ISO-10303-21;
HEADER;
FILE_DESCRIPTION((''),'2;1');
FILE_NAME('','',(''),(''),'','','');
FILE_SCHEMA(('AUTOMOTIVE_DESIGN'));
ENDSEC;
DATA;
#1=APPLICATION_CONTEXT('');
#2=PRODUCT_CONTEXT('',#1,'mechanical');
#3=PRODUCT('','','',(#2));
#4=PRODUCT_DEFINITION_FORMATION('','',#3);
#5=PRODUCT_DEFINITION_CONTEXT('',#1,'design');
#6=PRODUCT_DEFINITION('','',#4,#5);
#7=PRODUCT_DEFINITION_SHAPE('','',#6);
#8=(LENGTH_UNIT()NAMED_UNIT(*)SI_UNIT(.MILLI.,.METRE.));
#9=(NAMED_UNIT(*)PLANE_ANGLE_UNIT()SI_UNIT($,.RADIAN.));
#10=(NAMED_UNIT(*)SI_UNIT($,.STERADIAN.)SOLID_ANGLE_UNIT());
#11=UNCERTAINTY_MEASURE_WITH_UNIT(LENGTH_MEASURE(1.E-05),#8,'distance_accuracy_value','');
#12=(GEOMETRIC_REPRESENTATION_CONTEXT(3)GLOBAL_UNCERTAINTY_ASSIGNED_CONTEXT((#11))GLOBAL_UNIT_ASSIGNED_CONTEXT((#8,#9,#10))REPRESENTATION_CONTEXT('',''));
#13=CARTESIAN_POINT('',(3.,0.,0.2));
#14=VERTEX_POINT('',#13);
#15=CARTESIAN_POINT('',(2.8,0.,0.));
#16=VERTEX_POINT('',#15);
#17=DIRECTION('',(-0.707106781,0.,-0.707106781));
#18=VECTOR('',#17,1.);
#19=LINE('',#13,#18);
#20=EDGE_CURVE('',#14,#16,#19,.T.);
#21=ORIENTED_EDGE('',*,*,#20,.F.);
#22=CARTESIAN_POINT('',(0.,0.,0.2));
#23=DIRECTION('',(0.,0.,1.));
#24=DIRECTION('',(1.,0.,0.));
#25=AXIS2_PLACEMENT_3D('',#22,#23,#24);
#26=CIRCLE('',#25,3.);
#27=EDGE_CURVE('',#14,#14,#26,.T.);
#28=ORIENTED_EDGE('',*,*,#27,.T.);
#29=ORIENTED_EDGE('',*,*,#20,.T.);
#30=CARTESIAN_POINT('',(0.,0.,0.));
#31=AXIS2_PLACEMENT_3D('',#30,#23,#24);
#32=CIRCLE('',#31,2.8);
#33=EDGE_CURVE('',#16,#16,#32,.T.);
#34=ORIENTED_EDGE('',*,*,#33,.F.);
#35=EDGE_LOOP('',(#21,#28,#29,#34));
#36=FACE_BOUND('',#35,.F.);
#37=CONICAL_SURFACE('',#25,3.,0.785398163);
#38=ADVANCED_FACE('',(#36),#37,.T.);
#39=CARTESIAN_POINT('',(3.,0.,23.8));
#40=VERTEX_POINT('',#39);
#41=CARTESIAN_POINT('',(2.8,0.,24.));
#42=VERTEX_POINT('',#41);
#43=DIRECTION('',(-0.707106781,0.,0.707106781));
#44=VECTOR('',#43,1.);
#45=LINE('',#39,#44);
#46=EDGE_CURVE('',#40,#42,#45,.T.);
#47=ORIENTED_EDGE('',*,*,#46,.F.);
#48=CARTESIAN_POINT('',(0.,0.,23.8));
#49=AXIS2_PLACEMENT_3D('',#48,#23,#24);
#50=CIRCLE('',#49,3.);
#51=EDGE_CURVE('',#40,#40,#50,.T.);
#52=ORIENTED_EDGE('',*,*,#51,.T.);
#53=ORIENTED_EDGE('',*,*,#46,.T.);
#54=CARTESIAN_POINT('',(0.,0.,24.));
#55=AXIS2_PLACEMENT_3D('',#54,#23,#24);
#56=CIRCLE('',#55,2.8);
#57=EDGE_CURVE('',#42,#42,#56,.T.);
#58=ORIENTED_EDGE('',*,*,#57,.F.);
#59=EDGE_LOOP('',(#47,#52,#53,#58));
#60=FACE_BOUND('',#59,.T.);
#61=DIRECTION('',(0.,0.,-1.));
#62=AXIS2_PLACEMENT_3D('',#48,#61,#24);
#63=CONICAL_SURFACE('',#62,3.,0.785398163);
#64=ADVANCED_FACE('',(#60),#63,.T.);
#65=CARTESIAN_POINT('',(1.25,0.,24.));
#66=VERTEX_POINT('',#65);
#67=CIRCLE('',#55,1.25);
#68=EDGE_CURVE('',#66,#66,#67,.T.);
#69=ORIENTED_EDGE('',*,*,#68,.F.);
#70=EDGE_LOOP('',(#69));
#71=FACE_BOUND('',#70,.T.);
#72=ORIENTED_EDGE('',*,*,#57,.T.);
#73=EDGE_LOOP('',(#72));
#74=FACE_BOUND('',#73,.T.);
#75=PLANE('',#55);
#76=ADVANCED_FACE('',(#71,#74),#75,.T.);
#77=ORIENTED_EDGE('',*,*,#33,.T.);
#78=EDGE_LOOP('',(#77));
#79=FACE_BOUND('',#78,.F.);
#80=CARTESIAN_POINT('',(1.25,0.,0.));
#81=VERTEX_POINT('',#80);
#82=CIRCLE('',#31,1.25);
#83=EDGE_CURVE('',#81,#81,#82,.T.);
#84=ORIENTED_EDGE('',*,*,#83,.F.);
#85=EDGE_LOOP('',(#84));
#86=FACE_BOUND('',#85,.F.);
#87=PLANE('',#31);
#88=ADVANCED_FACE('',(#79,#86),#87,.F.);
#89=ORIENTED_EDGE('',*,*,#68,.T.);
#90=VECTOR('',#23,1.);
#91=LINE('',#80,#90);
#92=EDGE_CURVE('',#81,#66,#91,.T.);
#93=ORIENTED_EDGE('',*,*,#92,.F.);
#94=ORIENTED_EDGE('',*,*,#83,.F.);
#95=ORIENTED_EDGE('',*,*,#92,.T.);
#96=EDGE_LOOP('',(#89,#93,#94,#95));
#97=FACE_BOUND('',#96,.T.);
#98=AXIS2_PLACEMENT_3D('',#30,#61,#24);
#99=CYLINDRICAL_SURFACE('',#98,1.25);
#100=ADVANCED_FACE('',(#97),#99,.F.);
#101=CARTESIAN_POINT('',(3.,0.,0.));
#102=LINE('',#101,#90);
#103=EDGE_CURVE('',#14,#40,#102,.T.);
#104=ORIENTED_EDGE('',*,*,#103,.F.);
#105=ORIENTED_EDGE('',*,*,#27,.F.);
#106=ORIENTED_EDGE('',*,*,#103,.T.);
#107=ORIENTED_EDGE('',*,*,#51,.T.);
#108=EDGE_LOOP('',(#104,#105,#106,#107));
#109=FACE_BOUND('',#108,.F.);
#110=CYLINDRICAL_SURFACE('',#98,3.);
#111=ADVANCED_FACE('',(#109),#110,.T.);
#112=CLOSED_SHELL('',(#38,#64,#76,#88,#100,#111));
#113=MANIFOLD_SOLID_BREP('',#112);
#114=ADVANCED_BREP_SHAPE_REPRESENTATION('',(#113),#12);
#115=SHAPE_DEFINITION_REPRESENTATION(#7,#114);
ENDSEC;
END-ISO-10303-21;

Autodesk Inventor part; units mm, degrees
ref_plane "YZ Plane" through (0, 0, 0) normal (1, 0, 0) x (0, 1, 0)
ref_plane "XZ Plane" through (0, 0, 0) normal (0, 1, 0) x (-1, 0, 0)
ref_plane "XY Plane" through (0, 0, 0) normal (0, 0, 1) x (1, 0, 0)
sketch "スケッチ1" plane through (0, 0, 0) normal (0, 0, 1) x (1, 0, 0)
  circle A0 centre (0, 0) radius 3
  circle A1 centre (0, 0) radius 1.25
  dimension "d0" = 6
  dimension "d1" = 2.5
extrude "押し出し1" add sketch "スケッチ1" along normal blind 24
chamfer "面取り1" distance 0.2 angle 45 2 edges at (-3, 0, 24) (-3, 0, 0)
properties part number "軸_6-30" material "アルミニウム 6061"
